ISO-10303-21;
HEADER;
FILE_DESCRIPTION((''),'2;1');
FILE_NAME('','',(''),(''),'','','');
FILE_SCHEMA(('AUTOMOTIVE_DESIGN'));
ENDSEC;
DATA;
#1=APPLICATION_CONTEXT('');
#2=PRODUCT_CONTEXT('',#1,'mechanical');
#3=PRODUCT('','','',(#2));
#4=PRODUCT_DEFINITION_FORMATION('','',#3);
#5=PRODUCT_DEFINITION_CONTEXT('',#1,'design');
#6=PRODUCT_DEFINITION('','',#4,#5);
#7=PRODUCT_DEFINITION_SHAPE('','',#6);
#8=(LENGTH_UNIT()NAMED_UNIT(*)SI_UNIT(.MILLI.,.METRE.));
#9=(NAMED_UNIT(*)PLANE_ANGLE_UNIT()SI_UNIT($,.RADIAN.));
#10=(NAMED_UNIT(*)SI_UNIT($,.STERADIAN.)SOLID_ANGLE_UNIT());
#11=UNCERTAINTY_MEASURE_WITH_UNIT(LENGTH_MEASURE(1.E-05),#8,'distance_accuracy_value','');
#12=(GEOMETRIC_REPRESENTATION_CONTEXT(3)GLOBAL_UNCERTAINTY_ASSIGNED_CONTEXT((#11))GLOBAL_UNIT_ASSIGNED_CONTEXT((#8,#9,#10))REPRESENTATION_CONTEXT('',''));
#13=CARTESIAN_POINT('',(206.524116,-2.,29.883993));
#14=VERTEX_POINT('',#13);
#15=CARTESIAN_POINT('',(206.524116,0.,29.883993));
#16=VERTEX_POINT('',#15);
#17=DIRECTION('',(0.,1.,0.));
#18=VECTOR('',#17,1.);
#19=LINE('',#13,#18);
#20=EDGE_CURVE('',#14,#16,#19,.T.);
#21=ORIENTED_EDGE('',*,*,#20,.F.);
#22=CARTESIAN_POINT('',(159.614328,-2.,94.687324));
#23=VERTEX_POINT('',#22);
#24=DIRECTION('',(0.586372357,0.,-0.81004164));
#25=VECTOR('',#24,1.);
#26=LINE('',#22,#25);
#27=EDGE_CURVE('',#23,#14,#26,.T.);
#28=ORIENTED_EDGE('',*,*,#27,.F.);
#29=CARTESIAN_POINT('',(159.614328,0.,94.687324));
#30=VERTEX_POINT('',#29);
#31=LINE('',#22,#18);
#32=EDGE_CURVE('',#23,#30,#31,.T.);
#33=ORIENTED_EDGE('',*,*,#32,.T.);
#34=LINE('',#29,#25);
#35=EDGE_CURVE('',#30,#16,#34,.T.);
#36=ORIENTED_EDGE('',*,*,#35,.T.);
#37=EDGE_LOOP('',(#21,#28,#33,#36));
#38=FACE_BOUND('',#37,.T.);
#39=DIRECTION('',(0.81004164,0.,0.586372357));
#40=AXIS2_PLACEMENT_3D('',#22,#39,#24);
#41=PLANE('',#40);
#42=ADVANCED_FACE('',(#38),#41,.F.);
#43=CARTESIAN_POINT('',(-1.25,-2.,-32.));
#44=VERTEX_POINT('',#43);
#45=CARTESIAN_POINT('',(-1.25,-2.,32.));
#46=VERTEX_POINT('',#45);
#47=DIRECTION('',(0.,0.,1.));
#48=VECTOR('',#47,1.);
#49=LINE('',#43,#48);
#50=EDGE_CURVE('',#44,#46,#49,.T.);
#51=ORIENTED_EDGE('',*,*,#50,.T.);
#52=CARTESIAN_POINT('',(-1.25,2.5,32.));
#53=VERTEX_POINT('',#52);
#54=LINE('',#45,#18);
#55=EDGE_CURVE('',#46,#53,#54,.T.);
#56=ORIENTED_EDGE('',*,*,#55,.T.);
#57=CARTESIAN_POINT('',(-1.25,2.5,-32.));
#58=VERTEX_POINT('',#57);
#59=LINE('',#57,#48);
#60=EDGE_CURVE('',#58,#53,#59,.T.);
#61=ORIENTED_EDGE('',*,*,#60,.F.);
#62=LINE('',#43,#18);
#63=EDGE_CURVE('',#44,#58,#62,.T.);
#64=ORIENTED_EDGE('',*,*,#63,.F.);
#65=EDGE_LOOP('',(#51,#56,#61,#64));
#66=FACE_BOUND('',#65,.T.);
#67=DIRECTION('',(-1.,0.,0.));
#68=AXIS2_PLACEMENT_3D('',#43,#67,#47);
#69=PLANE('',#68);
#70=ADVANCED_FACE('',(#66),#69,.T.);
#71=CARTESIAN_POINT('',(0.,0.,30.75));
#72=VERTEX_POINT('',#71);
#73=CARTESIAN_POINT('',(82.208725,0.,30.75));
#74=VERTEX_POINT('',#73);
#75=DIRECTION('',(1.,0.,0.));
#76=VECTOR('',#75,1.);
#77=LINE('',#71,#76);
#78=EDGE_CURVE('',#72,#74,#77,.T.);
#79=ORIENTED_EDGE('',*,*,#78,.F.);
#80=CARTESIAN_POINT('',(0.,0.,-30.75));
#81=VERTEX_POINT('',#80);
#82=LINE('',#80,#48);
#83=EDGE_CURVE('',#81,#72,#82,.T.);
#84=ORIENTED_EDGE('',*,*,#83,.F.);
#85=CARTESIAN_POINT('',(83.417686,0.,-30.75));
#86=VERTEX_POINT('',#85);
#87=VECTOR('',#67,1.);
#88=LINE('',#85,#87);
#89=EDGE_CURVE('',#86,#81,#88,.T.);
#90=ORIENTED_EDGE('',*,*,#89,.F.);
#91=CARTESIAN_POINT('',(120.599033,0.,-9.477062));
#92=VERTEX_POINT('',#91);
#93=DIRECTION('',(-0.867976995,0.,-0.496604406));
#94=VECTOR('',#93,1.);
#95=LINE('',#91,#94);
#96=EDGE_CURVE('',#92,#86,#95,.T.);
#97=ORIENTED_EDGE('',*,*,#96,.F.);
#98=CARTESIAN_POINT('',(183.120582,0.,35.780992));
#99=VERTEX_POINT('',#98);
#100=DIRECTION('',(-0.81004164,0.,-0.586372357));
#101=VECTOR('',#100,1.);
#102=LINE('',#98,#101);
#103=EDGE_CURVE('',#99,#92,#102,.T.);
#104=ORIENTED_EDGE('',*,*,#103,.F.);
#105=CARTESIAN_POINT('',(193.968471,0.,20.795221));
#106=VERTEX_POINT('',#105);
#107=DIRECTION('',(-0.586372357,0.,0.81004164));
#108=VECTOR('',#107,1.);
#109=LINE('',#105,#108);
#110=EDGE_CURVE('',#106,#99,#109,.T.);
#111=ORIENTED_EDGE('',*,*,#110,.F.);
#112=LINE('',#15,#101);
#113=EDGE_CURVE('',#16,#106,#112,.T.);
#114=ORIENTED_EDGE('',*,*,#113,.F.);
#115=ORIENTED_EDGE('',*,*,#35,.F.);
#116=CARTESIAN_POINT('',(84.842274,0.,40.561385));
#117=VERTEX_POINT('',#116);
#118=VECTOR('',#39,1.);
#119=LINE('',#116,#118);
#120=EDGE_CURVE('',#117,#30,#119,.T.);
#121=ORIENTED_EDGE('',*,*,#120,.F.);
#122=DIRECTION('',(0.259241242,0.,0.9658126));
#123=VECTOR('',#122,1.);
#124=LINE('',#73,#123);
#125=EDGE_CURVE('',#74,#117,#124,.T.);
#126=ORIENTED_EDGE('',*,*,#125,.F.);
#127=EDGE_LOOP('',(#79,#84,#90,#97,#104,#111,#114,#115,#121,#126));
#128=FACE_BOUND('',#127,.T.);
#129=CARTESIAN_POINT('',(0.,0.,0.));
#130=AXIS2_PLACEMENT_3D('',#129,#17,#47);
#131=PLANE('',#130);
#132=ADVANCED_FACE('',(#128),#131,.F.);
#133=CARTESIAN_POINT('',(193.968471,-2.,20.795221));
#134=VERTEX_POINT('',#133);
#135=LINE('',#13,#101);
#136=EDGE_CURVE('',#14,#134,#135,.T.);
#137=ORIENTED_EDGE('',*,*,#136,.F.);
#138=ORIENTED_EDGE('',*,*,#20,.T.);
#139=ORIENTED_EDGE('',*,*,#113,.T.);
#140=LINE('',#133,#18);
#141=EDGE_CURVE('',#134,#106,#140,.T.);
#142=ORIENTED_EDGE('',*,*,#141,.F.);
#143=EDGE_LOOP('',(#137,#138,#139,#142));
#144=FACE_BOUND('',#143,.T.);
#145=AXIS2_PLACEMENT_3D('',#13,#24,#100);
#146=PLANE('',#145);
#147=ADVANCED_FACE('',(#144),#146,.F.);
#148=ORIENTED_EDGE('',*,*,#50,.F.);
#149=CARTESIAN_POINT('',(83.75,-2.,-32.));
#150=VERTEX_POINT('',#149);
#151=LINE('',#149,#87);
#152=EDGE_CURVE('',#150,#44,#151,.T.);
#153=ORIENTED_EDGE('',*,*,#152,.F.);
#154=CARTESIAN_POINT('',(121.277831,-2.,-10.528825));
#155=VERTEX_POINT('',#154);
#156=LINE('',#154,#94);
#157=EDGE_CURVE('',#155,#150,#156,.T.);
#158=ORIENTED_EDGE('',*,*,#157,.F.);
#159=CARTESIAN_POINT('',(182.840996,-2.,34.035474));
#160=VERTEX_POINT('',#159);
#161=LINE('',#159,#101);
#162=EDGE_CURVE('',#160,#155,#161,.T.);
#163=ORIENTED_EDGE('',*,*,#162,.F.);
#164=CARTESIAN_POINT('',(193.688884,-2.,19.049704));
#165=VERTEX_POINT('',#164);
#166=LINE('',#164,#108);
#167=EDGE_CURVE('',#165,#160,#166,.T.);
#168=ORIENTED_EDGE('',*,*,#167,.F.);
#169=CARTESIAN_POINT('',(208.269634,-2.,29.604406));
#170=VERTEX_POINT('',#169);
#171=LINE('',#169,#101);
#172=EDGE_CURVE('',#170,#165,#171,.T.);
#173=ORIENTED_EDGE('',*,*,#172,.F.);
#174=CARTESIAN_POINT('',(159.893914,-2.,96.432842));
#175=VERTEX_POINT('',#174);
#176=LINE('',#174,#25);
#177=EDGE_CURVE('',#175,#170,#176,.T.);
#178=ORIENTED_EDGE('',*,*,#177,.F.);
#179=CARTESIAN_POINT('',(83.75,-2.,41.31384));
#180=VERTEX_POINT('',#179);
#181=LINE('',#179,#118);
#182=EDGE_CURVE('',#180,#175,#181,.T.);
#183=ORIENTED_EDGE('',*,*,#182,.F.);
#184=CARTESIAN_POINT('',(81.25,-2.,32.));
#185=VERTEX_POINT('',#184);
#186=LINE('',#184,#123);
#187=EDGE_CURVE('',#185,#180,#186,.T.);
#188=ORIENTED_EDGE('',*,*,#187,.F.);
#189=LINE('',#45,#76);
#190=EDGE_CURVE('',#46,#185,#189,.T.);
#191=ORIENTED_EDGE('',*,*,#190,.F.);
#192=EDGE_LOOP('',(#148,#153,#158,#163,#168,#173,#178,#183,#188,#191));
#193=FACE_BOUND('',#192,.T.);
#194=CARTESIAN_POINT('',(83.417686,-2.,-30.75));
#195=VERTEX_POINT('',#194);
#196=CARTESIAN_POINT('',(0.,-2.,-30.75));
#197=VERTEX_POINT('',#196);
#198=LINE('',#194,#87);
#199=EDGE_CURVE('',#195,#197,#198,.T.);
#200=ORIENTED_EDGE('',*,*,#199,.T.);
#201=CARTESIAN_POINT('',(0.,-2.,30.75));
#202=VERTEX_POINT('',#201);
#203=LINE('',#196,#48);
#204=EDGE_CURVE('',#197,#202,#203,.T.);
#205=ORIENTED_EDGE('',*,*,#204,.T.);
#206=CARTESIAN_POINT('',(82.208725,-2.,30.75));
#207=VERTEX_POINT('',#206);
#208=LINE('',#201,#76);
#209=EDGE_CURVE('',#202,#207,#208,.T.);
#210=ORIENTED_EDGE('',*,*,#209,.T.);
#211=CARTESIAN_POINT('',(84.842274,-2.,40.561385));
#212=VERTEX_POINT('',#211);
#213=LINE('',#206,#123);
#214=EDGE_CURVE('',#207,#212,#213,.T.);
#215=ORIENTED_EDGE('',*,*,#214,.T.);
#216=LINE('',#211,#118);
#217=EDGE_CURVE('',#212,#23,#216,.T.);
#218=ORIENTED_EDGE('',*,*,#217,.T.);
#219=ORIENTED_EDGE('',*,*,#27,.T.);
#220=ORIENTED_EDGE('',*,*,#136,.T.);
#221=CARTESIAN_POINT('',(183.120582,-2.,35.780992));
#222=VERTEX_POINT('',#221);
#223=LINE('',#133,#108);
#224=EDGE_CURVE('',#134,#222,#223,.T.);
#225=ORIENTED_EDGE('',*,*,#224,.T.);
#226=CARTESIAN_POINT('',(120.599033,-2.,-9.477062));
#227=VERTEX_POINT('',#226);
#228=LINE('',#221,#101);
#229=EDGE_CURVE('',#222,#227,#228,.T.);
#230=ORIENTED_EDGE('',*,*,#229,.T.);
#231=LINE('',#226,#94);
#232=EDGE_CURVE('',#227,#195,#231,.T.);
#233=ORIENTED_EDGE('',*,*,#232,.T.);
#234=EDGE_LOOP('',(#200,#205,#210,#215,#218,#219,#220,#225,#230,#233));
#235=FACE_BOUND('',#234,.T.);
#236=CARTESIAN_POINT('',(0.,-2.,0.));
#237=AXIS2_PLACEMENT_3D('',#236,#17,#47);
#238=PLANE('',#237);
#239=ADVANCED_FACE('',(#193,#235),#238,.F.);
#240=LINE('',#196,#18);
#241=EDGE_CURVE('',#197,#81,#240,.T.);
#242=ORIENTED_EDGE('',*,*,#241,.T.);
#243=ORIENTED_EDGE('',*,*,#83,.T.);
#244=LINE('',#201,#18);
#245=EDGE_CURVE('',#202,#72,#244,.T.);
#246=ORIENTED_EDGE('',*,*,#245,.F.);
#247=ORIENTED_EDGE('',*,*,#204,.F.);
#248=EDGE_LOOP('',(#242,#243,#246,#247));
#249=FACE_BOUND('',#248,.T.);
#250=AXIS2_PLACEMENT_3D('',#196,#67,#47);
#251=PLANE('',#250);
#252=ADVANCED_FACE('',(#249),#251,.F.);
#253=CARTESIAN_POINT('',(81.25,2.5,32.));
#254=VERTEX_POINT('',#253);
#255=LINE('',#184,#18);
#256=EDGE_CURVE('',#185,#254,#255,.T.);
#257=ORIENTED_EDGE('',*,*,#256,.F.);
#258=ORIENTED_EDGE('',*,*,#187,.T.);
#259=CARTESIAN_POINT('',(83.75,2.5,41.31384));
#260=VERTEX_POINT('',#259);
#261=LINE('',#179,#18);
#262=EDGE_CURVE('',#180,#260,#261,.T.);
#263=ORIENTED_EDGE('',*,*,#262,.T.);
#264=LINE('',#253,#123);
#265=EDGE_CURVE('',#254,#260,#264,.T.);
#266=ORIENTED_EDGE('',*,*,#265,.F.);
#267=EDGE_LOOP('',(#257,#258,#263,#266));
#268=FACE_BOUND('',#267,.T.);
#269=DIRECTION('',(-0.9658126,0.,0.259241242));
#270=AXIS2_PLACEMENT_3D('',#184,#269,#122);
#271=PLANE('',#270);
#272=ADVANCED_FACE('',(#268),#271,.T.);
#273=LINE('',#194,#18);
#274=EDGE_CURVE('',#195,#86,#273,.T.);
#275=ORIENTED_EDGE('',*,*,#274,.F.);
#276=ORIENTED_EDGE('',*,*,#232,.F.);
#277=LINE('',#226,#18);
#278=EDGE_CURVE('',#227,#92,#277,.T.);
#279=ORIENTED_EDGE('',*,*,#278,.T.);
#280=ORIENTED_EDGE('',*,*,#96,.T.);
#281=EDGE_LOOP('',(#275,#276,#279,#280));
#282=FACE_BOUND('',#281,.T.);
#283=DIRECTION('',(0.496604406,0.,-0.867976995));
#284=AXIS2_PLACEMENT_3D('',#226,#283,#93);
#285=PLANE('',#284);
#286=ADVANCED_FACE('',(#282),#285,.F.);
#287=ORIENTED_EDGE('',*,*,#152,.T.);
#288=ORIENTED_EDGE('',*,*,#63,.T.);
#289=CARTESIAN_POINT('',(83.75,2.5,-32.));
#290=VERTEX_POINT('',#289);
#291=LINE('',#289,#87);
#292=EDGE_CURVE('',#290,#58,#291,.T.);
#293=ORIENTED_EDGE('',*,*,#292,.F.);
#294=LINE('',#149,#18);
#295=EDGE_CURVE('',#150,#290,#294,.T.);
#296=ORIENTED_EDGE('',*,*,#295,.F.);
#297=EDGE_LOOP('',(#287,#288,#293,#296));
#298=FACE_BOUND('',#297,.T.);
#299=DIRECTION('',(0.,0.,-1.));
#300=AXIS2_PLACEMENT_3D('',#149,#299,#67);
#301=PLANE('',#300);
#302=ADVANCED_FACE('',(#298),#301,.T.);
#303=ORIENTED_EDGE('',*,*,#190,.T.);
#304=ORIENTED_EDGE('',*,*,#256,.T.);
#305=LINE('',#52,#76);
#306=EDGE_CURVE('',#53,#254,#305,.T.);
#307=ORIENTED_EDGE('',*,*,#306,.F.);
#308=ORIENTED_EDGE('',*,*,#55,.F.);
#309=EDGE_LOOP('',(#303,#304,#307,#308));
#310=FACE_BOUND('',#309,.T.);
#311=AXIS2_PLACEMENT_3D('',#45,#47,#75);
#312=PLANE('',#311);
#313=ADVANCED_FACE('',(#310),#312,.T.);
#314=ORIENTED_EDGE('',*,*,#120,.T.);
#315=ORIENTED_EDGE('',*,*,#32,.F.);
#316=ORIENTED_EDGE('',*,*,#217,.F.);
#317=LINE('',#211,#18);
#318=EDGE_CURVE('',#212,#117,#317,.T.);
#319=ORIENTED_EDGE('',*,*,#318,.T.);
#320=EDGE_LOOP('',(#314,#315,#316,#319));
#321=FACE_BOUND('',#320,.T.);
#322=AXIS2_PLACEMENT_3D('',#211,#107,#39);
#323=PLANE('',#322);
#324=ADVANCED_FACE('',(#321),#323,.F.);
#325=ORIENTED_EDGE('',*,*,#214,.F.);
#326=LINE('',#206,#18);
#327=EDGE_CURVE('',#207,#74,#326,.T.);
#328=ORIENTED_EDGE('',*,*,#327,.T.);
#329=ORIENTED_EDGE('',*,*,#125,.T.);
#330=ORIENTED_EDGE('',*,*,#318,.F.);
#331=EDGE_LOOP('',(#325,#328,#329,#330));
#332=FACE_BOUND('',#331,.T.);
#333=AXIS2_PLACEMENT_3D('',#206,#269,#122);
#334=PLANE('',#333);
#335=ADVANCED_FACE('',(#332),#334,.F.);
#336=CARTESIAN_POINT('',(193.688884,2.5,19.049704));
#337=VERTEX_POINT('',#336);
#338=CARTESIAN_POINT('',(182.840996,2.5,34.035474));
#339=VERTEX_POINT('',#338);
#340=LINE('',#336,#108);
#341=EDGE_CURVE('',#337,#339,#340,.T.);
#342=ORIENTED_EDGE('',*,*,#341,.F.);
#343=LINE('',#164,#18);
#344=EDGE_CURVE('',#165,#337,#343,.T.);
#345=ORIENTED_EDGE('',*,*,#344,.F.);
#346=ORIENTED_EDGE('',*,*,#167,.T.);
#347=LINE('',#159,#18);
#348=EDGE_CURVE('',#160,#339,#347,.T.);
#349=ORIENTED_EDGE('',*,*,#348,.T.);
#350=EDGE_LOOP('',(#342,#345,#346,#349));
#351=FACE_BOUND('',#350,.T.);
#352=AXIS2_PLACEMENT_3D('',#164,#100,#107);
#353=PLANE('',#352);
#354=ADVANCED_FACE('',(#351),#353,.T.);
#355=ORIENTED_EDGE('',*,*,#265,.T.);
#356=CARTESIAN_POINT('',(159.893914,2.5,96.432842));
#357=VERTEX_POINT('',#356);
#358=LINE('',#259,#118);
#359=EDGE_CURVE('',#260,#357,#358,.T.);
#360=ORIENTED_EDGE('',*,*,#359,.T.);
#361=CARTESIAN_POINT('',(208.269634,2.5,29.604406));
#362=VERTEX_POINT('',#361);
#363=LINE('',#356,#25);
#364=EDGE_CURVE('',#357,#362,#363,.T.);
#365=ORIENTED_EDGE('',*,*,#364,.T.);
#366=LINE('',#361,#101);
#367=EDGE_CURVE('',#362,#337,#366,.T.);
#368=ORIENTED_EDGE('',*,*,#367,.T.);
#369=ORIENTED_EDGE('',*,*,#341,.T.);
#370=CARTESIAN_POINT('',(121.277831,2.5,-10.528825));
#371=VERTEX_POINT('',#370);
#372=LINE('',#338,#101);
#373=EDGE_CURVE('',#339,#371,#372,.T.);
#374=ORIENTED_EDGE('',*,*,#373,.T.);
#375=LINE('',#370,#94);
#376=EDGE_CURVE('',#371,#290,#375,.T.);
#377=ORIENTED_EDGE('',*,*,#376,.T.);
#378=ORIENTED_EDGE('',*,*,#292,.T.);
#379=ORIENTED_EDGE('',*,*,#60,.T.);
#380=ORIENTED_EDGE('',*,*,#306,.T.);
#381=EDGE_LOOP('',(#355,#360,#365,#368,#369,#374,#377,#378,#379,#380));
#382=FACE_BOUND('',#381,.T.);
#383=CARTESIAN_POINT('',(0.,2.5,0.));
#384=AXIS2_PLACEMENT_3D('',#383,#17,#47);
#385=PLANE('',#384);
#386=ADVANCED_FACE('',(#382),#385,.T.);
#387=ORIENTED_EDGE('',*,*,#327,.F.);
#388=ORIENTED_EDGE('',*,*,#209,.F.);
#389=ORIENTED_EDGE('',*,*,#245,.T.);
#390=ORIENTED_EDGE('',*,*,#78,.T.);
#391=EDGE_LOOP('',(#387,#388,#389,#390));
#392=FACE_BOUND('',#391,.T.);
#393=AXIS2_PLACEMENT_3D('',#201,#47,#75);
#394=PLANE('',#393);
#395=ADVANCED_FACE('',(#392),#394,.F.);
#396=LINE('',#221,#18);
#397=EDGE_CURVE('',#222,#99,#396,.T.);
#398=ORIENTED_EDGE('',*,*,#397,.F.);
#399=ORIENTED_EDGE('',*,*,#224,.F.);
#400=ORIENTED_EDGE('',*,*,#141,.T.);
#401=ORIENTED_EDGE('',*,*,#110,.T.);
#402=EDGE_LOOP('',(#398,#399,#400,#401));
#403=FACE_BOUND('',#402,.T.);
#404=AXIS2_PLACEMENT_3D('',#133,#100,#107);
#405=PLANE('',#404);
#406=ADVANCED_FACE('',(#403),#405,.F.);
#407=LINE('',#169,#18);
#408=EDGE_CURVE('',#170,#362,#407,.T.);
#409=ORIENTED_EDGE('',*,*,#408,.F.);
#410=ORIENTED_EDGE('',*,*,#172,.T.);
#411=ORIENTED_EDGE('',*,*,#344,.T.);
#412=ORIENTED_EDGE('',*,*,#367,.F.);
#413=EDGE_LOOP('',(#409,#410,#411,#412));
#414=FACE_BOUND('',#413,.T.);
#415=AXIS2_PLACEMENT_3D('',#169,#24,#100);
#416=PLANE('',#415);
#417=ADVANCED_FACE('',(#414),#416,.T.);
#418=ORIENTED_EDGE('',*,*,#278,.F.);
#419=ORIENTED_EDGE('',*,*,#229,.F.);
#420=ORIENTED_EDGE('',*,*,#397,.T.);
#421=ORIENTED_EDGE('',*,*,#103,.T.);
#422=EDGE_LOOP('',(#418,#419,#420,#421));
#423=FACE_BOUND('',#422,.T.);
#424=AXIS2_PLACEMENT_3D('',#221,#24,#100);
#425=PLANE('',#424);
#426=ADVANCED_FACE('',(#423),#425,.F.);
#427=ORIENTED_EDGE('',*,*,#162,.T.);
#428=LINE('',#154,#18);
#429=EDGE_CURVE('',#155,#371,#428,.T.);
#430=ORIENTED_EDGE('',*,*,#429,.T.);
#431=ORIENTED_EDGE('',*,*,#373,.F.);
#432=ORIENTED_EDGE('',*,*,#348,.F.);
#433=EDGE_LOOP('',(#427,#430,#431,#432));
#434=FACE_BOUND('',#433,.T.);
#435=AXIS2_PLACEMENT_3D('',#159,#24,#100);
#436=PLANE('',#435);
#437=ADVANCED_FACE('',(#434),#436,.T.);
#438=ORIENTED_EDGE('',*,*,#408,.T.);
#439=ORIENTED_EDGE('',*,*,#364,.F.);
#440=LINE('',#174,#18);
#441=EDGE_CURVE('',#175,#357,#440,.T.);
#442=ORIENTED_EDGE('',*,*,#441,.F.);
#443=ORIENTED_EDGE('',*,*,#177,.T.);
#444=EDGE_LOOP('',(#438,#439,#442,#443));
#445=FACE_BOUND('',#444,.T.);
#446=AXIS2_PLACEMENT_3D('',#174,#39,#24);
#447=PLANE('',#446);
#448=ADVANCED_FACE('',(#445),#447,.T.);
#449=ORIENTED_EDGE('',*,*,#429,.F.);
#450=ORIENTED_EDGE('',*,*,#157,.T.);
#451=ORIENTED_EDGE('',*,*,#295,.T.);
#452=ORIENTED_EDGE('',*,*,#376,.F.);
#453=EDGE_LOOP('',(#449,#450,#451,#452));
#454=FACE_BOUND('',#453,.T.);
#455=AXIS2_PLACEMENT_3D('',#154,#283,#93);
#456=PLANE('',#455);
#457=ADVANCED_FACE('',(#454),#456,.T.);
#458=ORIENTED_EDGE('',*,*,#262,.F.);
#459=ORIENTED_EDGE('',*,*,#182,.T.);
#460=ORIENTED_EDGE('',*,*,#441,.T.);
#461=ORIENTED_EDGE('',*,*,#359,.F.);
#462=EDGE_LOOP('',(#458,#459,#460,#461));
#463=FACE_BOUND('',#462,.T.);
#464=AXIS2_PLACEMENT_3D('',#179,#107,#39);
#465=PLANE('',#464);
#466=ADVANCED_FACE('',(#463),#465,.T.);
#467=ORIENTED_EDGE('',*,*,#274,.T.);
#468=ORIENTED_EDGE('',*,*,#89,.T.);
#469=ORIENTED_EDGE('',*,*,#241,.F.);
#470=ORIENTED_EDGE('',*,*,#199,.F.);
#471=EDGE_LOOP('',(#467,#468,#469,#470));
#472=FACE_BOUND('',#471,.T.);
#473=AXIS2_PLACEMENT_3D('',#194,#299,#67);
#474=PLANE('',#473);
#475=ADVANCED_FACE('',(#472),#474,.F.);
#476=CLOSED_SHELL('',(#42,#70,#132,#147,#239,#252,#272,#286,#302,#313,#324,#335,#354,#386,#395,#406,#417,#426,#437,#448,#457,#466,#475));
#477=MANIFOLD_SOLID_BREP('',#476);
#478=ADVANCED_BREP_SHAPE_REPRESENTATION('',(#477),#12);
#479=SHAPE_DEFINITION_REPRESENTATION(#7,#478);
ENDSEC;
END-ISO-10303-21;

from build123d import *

# Parameters (mm, degrees)
EXTRUDE_1_DEPTH = 2
EXTRUDE_2_DEPTH = 2.5


with BuildPart() as part:
    # 草图1 → 凸台-拉伸1 (new body)
    with BuildSketch(Plane(origin=(0, 0, 0), x_dir=(1, 0, 0), z_dir=(0, 1, 0))):
        Polygon((-1.25, 32), (-1.25, -32), (81.25, -32), (83.75, -41.313840204), (159.893914202, -96.432841737), (208.269633633, -29.6044064), (193.688884105, -19.049703979), (182.840995505, -34.035474327), (121.277830831, 10.528824785), (83.75, 32), align=None)
        Polygon((0, 30.75), (0, -30.75), (82.208724754, -30.75), (84.842274477, -40.561384515), (159.614327597, -94.687324241), (206.524116136, -29.883993005), (193.968470709, -20.795221475), (183.12058211, -35.780991824), (120.599033271, 9.477061724), (83.417685679, 30.75), align=None, mode=Mode.SUBTRACT)
    extrude(amount=-EXTRUDE_1_DEPTH)

    # 草图2 → 凸台-拉伸2 (add)
    with BuildSketch(Plane(origin=(0, 0, 0), x_dir=(1, 0, 0), z_dir=(0, 1, 0))):
        Polygon((-1.25, 32), (-1.25, -32), (81.25, -32), (83.75, -41.313840204), (159.893914202, -96.432841737), (208.269633633, -29.6044064), (193.688884105, -19.049703979), (182.840995505, -34.035474327), (121.277830831, 10.528824785), (83.75, 32), align=None)
    extrude(amount=EXTRUDE_2_DEPTH)


solid = part.part
